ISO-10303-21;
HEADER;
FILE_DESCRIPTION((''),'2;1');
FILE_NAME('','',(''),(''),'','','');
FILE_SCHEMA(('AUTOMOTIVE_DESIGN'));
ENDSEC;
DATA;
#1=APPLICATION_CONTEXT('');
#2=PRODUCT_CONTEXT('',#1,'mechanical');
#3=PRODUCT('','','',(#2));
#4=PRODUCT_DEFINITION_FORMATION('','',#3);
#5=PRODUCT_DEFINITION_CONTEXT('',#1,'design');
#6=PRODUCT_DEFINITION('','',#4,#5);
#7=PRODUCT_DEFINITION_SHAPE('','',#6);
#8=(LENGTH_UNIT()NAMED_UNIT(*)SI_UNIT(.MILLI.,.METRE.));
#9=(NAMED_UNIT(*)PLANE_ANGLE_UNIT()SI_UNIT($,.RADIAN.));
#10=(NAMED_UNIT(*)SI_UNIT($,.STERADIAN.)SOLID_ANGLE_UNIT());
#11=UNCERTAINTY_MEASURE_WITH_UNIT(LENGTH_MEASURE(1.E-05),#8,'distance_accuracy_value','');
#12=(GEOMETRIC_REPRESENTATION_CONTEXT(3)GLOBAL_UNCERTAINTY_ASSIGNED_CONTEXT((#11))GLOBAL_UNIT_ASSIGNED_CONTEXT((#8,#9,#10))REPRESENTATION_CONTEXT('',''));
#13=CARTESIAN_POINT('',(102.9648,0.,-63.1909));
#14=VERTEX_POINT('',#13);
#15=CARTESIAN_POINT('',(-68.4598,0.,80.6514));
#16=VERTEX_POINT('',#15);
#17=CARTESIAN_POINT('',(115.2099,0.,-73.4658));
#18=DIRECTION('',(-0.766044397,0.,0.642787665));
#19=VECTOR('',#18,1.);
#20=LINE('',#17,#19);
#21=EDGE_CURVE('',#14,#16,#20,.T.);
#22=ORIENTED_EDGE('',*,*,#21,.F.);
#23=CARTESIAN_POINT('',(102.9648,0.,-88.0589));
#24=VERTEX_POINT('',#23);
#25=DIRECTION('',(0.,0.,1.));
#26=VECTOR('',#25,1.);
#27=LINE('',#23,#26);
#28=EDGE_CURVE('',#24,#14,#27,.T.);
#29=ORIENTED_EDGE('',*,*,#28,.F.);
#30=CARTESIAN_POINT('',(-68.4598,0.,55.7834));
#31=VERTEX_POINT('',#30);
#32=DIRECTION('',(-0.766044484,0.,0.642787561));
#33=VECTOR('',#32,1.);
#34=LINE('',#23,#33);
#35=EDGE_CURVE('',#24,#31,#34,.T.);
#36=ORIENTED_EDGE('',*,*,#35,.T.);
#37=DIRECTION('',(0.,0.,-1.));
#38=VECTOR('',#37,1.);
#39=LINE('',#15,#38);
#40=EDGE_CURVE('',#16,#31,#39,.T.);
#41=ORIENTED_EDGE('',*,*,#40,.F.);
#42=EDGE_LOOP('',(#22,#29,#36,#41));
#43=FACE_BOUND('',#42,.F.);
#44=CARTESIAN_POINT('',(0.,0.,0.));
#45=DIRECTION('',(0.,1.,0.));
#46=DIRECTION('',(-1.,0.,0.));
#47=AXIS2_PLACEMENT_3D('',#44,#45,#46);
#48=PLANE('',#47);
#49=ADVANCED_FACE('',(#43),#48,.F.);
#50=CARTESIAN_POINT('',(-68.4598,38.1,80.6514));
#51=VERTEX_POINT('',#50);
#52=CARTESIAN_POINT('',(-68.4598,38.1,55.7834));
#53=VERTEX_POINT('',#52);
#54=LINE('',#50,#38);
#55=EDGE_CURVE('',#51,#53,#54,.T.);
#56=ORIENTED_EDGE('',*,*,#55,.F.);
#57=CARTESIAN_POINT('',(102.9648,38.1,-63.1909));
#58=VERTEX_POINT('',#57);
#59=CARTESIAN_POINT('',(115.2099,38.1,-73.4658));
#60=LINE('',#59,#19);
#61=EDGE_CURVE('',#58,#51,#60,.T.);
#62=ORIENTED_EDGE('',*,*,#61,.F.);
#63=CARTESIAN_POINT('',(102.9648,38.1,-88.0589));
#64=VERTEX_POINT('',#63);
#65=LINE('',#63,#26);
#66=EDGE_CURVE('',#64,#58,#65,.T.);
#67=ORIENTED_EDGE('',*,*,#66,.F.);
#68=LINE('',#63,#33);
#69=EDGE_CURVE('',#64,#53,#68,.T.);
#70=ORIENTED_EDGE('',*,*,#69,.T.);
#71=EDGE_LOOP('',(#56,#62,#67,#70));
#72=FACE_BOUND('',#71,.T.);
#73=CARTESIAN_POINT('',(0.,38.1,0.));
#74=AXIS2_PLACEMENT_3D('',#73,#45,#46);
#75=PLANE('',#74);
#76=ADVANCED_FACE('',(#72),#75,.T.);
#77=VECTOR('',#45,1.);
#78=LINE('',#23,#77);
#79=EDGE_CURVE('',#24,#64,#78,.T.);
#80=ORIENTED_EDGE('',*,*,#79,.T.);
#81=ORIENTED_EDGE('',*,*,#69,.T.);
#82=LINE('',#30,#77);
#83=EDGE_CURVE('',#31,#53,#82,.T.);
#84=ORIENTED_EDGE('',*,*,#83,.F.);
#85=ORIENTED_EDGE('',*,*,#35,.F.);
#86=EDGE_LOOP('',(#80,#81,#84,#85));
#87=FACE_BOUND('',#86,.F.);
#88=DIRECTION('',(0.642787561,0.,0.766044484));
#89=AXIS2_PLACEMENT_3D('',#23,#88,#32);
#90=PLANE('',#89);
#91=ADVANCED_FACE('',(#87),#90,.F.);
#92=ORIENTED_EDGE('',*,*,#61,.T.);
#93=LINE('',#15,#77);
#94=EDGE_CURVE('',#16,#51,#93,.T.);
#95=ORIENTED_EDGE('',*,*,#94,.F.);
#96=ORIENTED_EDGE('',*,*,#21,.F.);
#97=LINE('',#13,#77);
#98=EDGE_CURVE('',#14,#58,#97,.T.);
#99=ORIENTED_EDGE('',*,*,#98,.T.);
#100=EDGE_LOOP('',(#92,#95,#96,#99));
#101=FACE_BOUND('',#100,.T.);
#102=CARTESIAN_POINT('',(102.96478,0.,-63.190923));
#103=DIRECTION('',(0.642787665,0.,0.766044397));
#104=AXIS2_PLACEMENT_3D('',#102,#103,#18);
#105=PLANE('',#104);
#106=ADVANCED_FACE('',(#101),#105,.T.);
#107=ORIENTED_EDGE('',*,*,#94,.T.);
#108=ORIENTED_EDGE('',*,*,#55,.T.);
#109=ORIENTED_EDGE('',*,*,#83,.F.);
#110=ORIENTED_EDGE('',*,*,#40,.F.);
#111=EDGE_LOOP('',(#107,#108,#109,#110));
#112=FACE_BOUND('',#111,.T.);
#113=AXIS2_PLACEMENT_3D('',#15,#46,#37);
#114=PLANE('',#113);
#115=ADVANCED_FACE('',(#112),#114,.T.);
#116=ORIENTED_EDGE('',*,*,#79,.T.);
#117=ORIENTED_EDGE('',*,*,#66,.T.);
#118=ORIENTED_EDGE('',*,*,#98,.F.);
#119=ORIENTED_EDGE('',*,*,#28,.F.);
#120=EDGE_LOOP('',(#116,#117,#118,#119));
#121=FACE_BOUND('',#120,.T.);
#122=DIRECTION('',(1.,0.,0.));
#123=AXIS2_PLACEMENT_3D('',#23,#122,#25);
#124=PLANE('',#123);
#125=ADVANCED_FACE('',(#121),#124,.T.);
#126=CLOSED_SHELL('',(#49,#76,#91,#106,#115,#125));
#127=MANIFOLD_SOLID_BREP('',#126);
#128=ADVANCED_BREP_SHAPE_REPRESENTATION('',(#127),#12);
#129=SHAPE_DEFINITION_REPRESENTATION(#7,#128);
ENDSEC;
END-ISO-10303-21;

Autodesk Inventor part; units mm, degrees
ref_plane "YZ Plane" through (0, 0, 0) normal (1, 0, 0) x (0, 1, 0)
ref_plane "XZ Plane" through (0, 0, 0) normal (0, 1, 0) x (-1, 0, 0)
ref_plane "XY Plane" through (0, 0, 0) normal (0, 0, 1) x (1, 0, 0)
sketch "Sketch1" plane through (0, 0, 0) normal (0, 1, 0) x (-1, 0, 0)
  line L0 (-102.9648, -88.0589) -> (68.4598, 55.7834)
  line L1 (-102.9648, -88.0589) -> (120.8142, -88.0589) construction
  line L2 (-102.9648, -88.0589) -> (-115.2099, -73.4658)
  line L3 (-115.2099, -73.4658) -> (68.4598, 80.6514)
  line L4 (68.4598, 80.6514) -> (68.4598, 55.7834)
  line L5 (-102.9648, -88.0589) -> (-102.9648, -63.1909)
  point P0 (0, 0)
  dimension "d0" = 40
  dimension "d1" = 171.4246
  dimension "d2" = 19.05
extrude "Extrusion1" add sketch "Sketch1" along normal blind 38.1 contours L5 L3 L4 L0
properties part number "BallGuideLeft"
